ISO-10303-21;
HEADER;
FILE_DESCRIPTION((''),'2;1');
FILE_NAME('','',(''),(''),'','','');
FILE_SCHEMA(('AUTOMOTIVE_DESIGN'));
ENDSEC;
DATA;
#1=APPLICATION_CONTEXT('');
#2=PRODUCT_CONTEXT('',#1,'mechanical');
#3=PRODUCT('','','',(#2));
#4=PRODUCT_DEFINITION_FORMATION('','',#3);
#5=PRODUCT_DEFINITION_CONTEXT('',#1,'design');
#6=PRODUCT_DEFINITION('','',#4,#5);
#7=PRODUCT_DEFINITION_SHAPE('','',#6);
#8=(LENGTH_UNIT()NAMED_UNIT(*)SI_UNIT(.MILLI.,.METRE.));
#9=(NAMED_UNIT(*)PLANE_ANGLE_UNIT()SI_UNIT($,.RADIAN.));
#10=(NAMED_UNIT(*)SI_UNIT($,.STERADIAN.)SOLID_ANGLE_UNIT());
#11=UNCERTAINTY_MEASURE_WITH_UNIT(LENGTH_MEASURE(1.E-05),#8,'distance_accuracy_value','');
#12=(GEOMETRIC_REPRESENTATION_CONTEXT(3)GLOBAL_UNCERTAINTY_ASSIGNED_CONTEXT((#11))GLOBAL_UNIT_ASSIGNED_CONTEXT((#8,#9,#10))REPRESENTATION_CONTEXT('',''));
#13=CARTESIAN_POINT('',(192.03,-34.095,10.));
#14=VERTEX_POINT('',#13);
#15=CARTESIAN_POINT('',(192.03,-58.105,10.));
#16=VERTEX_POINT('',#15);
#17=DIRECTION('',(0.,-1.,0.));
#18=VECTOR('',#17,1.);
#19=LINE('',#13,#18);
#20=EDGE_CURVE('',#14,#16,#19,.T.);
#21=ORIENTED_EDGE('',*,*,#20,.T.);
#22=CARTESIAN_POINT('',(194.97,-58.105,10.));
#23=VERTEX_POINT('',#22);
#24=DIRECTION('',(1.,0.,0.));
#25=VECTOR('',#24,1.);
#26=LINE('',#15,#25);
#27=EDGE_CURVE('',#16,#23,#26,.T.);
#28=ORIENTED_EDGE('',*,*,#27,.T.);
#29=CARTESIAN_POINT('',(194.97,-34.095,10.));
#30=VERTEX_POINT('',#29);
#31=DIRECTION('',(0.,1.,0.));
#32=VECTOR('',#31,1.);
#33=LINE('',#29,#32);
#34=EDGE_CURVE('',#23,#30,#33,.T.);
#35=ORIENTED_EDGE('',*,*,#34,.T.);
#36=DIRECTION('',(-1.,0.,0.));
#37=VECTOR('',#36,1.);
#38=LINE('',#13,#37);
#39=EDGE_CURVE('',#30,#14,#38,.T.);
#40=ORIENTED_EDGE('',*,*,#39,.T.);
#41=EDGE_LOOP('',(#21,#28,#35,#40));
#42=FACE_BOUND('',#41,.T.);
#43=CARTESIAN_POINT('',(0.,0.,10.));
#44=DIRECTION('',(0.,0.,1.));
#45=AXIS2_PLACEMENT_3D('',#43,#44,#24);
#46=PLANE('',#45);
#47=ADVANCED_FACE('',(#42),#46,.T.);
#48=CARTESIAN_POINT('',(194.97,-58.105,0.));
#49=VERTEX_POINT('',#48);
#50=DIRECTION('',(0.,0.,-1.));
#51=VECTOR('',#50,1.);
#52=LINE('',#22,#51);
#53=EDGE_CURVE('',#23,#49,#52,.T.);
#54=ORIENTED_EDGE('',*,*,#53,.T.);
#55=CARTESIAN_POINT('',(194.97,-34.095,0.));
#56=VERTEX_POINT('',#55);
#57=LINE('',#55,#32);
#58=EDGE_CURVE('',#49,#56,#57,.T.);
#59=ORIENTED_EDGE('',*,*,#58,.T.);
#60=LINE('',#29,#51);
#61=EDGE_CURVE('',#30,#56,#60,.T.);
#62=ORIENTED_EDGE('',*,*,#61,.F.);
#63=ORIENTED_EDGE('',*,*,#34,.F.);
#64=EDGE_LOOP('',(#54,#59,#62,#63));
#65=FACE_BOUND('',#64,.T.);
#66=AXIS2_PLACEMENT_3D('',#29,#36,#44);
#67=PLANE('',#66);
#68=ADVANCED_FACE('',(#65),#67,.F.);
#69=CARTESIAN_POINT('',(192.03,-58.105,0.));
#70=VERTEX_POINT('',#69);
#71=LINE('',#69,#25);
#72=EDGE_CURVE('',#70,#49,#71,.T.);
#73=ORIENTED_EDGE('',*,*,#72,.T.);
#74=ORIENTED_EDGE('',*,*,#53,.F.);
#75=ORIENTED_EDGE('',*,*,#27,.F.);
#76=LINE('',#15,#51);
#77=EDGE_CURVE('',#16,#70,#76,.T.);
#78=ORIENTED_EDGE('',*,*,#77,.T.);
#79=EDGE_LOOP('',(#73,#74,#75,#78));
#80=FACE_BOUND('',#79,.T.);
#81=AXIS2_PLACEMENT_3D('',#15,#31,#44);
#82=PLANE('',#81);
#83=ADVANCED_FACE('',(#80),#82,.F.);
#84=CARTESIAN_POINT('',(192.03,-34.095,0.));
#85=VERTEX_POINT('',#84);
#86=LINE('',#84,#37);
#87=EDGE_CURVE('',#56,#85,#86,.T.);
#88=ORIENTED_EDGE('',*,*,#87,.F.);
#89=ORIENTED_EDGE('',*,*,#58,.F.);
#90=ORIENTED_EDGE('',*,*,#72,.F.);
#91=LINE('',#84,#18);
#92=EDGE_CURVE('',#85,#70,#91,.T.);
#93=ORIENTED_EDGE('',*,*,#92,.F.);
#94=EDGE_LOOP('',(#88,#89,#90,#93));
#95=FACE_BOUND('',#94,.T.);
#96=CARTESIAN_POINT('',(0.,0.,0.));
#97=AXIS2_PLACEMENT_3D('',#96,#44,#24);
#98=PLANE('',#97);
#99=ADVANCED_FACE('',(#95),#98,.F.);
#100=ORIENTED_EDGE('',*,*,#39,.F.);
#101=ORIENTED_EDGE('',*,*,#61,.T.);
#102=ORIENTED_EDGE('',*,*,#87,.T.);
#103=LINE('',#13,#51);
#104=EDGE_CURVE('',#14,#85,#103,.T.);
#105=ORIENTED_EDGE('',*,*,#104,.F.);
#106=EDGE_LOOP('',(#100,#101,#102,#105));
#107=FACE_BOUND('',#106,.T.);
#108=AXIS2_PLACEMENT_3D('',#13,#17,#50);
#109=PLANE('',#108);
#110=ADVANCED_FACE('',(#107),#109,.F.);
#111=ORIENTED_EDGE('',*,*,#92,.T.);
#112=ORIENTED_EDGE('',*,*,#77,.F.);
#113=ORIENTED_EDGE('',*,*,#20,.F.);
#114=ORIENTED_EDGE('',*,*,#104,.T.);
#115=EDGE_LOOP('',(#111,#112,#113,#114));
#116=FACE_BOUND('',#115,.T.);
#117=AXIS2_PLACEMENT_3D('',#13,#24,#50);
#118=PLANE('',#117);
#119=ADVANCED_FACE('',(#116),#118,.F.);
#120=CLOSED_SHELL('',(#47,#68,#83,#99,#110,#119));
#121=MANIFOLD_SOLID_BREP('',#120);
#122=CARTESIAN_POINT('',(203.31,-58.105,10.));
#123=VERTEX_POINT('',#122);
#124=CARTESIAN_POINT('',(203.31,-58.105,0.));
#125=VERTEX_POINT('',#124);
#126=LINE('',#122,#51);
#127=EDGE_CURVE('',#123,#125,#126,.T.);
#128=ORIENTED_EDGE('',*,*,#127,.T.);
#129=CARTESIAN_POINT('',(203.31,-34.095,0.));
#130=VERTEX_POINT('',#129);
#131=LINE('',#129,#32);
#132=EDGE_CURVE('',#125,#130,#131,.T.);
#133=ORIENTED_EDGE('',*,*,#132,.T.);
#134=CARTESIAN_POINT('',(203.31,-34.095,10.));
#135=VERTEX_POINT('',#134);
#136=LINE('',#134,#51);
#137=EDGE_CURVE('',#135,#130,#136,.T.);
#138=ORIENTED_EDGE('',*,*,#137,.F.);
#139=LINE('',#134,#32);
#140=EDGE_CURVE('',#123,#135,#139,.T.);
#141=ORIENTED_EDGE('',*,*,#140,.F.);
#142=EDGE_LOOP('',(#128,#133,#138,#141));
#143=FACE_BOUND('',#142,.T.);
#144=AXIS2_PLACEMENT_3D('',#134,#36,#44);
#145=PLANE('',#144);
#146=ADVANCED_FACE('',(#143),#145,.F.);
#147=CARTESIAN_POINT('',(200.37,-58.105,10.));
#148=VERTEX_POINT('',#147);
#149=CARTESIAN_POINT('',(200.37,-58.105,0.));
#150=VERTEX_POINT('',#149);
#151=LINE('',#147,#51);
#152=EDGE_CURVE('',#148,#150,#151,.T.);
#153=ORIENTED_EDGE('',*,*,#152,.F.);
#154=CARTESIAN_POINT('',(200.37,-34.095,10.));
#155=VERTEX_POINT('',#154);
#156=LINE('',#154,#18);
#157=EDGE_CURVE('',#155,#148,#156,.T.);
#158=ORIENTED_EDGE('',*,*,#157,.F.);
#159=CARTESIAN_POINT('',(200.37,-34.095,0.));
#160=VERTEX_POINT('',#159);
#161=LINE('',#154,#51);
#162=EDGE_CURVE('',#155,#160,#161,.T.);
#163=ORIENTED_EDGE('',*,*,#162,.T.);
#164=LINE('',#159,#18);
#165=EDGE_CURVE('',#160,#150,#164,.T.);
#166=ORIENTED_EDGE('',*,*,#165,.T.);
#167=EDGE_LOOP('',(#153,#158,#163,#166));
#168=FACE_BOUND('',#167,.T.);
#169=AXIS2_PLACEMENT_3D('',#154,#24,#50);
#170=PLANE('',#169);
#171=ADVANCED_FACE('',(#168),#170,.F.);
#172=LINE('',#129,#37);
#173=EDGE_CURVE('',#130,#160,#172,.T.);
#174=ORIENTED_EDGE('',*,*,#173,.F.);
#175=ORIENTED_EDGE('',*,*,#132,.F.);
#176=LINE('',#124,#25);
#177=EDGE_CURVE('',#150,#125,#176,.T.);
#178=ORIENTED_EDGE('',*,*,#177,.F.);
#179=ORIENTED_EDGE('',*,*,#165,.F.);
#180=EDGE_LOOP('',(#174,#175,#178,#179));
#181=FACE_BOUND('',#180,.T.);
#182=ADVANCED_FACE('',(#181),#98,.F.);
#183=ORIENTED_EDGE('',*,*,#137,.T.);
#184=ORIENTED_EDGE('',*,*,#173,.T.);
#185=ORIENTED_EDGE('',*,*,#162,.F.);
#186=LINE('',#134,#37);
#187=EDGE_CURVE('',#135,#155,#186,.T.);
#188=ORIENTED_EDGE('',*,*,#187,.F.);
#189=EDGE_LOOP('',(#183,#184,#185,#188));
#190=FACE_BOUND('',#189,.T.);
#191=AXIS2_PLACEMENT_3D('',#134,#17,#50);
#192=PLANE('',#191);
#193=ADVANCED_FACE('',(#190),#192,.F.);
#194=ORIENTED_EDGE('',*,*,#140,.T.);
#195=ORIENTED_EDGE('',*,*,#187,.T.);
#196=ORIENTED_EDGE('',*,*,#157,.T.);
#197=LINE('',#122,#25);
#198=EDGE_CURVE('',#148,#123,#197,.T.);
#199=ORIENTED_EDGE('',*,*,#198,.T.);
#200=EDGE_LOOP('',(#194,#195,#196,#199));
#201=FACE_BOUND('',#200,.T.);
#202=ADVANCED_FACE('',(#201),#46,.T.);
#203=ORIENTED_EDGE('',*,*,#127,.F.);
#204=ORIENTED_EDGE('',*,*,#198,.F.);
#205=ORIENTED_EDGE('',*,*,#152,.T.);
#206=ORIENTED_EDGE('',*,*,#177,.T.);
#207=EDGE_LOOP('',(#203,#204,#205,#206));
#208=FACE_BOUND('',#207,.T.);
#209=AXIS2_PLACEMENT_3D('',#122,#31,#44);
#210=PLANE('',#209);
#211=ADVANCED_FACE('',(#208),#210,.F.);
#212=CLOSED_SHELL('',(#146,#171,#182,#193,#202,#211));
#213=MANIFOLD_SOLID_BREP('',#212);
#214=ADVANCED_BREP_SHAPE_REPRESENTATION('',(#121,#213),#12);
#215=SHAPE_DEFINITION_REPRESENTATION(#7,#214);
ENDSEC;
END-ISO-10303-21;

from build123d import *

# Parameters (mm, degrees)
SKIZZE1_W                         = 2.94
SKIZZE1_H                         = 24.01
AUFSATZ_LINEAR_AUSTRAGEN1_DEPTH   = 10
AUFSATZ_LINEAR_AUSTRAGEN1_2_DEPTH = 10


with BuildPart() as part:
    # Skizze1 → Aufsatz-Linear austragen1 (new body)
    with BuildSketch(Plane.XY):
        with Locations((193.5, -46.1)):
            Rectangle(SKIZZE1_W, SKIZZE1_H)
    extrude(amount=AUFSATZ_LINEAR_AUSTRAGEN1_DEPTH)


with BuildPart() as body_2:
    # Skizze1 → Aufsatz-Linear austragen1 2 (new body)
    with BuildSketch(Plane.XY):
        with Locations((201.84, -46.1)):
            Rectangle(SKIZZE1_W, SKIZZE1_H)
    extrude(amount=AUFSATZ_LINEAR_AUSTRAGEN1_2_DEPTH)


solid = Compound([part.part, body_2.part])
